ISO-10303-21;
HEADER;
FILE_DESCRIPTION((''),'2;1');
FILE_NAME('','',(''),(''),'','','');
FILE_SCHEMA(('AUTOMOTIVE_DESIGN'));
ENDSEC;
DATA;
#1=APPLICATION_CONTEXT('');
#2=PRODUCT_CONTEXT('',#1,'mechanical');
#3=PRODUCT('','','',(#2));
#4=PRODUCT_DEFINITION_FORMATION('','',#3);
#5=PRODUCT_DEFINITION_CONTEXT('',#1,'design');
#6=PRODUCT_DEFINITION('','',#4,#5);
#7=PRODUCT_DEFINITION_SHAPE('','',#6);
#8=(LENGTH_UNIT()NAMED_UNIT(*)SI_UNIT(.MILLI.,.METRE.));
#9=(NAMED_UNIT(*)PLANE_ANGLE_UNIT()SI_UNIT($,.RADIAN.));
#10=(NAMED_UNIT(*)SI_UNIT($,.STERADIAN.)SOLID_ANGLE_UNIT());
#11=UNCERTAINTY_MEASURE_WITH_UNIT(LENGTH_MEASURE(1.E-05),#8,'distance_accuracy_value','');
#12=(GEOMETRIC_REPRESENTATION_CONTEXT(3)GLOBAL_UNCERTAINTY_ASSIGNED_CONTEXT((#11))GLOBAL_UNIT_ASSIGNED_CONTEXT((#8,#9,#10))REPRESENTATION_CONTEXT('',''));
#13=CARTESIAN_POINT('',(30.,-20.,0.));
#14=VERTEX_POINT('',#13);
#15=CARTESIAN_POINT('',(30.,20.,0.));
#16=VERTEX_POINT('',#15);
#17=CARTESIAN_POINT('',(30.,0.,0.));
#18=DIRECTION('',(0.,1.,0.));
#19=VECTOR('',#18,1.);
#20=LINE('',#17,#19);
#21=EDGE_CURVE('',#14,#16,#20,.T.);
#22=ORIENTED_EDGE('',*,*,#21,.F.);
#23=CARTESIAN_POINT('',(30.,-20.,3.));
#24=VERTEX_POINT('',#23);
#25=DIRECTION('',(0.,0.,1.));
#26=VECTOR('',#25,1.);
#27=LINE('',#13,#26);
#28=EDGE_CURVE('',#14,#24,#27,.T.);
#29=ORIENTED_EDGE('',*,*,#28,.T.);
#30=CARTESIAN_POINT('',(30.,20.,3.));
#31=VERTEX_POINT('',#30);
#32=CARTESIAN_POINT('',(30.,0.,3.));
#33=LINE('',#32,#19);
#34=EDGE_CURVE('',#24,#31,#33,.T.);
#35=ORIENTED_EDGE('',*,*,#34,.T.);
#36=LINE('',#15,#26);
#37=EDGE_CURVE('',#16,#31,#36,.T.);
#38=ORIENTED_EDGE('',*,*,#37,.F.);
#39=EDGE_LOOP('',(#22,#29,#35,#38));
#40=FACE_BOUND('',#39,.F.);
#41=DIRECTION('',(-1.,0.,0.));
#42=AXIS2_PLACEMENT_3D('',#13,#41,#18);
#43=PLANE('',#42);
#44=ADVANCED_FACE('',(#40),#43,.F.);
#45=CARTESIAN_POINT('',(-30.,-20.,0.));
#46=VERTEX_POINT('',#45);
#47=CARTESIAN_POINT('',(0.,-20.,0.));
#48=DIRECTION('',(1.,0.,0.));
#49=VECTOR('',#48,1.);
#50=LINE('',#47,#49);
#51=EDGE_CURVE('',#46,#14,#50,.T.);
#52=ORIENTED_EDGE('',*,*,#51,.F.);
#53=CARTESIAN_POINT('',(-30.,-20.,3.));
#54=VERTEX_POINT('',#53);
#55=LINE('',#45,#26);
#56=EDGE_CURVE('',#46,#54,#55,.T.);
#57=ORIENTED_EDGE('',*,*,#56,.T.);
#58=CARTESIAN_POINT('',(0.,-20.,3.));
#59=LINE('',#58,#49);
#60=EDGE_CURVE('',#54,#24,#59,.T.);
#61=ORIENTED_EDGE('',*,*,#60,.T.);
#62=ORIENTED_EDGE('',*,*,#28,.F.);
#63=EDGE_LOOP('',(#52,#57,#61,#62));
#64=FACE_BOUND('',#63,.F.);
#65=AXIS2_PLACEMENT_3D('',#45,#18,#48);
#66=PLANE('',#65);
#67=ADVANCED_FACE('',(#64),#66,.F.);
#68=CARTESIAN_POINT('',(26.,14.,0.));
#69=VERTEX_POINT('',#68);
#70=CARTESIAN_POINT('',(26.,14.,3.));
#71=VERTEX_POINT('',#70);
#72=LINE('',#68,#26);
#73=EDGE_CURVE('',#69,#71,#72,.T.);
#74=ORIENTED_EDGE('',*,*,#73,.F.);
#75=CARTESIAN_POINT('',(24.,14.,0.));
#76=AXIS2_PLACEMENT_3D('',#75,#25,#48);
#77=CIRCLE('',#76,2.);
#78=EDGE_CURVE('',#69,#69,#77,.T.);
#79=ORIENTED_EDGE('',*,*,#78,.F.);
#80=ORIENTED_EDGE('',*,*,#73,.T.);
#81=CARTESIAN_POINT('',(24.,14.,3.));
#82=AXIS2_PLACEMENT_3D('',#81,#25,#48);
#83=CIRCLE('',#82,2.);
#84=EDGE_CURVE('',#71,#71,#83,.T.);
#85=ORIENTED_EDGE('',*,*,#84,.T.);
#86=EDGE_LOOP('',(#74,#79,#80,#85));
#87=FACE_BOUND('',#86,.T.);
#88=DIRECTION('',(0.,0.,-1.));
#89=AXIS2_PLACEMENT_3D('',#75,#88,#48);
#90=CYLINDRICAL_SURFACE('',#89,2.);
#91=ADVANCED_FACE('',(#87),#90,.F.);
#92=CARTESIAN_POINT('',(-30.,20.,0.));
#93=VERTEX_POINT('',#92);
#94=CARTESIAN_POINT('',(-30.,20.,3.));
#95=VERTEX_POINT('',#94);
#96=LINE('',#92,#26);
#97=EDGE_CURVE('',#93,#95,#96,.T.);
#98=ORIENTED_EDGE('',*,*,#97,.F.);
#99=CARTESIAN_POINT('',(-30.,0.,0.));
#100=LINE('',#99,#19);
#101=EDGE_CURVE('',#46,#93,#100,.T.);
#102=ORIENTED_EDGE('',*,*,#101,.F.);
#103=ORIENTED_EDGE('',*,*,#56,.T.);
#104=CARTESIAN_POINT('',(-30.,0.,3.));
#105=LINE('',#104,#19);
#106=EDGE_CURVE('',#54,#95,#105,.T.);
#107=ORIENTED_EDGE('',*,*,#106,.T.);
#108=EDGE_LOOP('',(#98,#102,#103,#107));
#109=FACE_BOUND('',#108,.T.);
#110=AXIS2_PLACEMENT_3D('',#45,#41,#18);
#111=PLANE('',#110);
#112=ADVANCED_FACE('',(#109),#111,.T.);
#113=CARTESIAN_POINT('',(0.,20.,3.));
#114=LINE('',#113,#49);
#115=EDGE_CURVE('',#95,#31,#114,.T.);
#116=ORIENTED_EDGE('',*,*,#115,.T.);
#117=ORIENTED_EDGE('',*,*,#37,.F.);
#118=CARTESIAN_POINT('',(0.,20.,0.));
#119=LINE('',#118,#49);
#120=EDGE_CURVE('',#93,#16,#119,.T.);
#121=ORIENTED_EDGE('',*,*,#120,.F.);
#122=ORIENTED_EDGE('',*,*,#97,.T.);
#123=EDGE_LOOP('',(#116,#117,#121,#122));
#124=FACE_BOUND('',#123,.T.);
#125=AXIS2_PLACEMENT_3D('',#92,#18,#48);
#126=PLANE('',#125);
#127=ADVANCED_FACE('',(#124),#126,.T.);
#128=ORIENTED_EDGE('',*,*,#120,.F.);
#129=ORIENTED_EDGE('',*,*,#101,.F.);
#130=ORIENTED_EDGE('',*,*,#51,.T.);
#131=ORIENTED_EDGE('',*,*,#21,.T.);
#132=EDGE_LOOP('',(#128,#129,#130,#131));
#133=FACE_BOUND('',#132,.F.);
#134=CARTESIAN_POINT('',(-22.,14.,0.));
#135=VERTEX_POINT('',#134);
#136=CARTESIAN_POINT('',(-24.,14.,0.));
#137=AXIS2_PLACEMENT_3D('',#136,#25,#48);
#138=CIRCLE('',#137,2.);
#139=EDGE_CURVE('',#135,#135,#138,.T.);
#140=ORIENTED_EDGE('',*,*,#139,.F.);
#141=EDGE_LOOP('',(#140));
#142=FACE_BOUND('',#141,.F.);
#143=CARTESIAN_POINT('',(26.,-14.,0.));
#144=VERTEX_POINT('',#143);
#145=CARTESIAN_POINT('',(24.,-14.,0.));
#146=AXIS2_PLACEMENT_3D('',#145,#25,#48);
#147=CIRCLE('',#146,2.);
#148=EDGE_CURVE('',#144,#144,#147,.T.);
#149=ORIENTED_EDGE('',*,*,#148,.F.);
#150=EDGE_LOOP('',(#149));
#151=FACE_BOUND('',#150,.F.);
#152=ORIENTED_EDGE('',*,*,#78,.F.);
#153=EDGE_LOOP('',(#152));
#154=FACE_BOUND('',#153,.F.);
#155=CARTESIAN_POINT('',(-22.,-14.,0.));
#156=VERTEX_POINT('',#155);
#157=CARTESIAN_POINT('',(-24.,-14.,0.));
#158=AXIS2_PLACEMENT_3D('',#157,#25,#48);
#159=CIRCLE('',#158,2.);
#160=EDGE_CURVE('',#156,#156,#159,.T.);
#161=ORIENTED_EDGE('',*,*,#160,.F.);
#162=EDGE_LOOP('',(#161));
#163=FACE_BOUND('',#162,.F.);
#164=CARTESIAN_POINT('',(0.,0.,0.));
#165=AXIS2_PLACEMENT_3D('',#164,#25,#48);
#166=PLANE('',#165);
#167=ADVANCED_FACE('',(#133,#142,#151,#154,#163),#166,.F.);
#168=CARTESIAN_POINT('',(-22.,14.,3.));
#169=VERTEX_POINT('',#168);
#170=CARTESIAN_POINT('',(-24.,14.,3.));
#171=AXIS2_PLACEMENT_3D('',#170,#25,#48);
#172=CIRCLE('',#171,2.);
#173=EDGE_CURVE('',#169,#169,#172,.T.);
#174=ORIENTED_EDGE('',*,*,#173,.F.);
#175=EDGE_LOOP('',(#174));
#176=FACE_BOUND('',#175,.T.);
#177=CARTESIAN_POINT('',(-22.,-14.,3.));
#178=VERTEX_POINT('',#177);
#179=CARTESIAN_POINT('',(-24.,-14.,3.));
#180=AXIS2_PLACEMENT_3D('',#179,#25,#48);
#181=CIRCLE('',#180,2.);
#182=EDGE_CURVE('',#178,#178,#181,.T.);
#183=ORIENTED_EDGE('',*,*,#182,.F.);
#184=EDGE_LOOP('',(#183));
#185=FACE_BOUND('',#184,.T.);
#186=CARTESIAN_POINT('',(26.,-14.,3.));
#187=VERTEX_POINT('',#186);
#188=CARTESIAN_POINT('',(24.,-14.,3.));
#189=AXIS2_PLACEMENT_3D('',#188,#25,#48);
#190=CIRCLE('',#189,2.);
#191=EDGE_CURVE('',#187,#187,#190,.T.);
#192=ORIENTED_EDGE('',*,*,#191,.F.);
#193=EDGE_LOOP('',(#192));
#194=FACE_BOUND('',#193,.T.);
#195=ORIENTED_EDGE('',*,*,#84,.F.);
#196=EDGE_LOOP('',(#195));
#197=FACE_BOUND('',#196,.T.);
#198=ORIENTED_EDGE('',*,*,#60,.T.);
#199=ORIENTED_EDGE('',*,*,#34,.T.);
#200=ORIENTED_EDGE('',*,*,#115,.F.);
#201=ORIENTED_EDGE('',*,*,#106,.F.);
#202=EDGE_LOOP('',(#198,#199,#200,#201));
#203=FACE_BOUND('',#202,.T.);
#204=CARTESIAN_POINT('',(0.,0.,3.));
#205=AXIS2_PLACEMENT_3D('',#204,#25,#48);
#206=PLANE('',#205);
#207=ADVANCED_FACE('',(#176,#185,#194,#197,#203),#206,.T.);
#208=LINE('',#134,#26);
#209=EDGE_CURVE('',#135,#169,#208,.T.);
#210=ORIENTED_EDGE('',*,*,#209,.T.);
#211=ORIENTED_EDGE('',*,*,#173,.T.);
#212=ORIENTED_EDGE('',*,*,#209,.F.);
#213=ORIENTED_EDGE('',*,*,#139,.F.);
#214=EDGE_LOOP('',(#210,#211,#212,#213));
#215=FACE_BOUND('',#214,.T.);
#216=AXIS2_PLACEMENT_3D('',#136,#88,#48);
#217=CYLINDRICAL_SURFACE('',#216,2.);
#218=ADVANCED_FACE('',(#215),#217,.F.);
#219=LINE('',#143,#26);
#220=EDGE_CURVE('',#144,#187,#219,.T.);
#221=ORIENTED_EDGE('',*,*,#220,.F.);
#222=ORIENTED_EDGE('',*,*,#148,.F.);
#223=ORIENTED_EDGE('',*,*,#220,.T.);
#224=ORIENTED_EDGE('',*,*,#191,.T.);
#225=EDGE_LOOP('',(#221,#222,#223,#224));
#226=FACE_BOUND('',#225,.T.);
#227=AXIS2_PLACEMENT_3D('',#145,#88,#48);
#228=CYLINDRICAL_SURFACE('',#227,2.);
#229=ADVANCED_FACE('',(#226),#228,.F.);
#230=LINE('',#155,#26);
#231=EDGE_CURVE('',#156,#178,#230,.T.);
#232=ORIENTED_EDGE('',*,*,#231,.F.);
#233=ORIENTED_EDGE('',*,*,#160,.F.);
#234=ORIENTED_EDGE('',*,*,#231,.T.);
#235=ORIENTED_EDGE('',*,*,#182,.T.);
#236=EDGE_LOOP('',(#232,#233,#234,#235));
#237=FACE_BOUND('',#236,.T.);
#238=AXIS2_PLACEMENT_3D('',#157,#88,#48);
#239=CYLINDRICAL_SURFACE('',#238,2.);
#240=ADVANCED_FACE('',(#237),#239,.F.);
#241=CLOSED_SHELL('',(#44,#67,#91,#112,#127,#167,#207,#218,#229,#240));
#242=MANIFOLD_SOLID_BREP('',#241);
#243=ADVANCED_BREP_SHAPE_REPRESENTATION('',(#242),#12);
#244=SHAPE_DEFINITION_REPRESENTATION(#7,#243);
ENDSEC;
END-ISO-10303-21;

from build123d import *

# Parameters (mm, degrees)
SKETCH_W  = 60
SKETCH_H  = 40
SKETCH_R  = 2
PAD_DEPTH = 3


with BuildPart() as part:
    # Sketch → Pad (new body)
    with BuildSketch(Plane.XY):
        Rectangle(SKETCH_W, SKETCH_H)
        with Locations((-24, 14)):
            Circle(SKETCH_R, mode=Mode.SUBTRACT)
        with Locations((-24, -14)):
            Circle(SKETCH_R, mode=Mode.SUBTRACT)
        with Locations((24, -14)):
            Circle(SKETCH_R, mode=Mode.SUBTRACT)
        with Locations((24, 14)):
            Circle(SKETCH_R, mode=Mode.SUBTRACT)
    extrude(amount=PAD_DEPTH)


solid = part.part
